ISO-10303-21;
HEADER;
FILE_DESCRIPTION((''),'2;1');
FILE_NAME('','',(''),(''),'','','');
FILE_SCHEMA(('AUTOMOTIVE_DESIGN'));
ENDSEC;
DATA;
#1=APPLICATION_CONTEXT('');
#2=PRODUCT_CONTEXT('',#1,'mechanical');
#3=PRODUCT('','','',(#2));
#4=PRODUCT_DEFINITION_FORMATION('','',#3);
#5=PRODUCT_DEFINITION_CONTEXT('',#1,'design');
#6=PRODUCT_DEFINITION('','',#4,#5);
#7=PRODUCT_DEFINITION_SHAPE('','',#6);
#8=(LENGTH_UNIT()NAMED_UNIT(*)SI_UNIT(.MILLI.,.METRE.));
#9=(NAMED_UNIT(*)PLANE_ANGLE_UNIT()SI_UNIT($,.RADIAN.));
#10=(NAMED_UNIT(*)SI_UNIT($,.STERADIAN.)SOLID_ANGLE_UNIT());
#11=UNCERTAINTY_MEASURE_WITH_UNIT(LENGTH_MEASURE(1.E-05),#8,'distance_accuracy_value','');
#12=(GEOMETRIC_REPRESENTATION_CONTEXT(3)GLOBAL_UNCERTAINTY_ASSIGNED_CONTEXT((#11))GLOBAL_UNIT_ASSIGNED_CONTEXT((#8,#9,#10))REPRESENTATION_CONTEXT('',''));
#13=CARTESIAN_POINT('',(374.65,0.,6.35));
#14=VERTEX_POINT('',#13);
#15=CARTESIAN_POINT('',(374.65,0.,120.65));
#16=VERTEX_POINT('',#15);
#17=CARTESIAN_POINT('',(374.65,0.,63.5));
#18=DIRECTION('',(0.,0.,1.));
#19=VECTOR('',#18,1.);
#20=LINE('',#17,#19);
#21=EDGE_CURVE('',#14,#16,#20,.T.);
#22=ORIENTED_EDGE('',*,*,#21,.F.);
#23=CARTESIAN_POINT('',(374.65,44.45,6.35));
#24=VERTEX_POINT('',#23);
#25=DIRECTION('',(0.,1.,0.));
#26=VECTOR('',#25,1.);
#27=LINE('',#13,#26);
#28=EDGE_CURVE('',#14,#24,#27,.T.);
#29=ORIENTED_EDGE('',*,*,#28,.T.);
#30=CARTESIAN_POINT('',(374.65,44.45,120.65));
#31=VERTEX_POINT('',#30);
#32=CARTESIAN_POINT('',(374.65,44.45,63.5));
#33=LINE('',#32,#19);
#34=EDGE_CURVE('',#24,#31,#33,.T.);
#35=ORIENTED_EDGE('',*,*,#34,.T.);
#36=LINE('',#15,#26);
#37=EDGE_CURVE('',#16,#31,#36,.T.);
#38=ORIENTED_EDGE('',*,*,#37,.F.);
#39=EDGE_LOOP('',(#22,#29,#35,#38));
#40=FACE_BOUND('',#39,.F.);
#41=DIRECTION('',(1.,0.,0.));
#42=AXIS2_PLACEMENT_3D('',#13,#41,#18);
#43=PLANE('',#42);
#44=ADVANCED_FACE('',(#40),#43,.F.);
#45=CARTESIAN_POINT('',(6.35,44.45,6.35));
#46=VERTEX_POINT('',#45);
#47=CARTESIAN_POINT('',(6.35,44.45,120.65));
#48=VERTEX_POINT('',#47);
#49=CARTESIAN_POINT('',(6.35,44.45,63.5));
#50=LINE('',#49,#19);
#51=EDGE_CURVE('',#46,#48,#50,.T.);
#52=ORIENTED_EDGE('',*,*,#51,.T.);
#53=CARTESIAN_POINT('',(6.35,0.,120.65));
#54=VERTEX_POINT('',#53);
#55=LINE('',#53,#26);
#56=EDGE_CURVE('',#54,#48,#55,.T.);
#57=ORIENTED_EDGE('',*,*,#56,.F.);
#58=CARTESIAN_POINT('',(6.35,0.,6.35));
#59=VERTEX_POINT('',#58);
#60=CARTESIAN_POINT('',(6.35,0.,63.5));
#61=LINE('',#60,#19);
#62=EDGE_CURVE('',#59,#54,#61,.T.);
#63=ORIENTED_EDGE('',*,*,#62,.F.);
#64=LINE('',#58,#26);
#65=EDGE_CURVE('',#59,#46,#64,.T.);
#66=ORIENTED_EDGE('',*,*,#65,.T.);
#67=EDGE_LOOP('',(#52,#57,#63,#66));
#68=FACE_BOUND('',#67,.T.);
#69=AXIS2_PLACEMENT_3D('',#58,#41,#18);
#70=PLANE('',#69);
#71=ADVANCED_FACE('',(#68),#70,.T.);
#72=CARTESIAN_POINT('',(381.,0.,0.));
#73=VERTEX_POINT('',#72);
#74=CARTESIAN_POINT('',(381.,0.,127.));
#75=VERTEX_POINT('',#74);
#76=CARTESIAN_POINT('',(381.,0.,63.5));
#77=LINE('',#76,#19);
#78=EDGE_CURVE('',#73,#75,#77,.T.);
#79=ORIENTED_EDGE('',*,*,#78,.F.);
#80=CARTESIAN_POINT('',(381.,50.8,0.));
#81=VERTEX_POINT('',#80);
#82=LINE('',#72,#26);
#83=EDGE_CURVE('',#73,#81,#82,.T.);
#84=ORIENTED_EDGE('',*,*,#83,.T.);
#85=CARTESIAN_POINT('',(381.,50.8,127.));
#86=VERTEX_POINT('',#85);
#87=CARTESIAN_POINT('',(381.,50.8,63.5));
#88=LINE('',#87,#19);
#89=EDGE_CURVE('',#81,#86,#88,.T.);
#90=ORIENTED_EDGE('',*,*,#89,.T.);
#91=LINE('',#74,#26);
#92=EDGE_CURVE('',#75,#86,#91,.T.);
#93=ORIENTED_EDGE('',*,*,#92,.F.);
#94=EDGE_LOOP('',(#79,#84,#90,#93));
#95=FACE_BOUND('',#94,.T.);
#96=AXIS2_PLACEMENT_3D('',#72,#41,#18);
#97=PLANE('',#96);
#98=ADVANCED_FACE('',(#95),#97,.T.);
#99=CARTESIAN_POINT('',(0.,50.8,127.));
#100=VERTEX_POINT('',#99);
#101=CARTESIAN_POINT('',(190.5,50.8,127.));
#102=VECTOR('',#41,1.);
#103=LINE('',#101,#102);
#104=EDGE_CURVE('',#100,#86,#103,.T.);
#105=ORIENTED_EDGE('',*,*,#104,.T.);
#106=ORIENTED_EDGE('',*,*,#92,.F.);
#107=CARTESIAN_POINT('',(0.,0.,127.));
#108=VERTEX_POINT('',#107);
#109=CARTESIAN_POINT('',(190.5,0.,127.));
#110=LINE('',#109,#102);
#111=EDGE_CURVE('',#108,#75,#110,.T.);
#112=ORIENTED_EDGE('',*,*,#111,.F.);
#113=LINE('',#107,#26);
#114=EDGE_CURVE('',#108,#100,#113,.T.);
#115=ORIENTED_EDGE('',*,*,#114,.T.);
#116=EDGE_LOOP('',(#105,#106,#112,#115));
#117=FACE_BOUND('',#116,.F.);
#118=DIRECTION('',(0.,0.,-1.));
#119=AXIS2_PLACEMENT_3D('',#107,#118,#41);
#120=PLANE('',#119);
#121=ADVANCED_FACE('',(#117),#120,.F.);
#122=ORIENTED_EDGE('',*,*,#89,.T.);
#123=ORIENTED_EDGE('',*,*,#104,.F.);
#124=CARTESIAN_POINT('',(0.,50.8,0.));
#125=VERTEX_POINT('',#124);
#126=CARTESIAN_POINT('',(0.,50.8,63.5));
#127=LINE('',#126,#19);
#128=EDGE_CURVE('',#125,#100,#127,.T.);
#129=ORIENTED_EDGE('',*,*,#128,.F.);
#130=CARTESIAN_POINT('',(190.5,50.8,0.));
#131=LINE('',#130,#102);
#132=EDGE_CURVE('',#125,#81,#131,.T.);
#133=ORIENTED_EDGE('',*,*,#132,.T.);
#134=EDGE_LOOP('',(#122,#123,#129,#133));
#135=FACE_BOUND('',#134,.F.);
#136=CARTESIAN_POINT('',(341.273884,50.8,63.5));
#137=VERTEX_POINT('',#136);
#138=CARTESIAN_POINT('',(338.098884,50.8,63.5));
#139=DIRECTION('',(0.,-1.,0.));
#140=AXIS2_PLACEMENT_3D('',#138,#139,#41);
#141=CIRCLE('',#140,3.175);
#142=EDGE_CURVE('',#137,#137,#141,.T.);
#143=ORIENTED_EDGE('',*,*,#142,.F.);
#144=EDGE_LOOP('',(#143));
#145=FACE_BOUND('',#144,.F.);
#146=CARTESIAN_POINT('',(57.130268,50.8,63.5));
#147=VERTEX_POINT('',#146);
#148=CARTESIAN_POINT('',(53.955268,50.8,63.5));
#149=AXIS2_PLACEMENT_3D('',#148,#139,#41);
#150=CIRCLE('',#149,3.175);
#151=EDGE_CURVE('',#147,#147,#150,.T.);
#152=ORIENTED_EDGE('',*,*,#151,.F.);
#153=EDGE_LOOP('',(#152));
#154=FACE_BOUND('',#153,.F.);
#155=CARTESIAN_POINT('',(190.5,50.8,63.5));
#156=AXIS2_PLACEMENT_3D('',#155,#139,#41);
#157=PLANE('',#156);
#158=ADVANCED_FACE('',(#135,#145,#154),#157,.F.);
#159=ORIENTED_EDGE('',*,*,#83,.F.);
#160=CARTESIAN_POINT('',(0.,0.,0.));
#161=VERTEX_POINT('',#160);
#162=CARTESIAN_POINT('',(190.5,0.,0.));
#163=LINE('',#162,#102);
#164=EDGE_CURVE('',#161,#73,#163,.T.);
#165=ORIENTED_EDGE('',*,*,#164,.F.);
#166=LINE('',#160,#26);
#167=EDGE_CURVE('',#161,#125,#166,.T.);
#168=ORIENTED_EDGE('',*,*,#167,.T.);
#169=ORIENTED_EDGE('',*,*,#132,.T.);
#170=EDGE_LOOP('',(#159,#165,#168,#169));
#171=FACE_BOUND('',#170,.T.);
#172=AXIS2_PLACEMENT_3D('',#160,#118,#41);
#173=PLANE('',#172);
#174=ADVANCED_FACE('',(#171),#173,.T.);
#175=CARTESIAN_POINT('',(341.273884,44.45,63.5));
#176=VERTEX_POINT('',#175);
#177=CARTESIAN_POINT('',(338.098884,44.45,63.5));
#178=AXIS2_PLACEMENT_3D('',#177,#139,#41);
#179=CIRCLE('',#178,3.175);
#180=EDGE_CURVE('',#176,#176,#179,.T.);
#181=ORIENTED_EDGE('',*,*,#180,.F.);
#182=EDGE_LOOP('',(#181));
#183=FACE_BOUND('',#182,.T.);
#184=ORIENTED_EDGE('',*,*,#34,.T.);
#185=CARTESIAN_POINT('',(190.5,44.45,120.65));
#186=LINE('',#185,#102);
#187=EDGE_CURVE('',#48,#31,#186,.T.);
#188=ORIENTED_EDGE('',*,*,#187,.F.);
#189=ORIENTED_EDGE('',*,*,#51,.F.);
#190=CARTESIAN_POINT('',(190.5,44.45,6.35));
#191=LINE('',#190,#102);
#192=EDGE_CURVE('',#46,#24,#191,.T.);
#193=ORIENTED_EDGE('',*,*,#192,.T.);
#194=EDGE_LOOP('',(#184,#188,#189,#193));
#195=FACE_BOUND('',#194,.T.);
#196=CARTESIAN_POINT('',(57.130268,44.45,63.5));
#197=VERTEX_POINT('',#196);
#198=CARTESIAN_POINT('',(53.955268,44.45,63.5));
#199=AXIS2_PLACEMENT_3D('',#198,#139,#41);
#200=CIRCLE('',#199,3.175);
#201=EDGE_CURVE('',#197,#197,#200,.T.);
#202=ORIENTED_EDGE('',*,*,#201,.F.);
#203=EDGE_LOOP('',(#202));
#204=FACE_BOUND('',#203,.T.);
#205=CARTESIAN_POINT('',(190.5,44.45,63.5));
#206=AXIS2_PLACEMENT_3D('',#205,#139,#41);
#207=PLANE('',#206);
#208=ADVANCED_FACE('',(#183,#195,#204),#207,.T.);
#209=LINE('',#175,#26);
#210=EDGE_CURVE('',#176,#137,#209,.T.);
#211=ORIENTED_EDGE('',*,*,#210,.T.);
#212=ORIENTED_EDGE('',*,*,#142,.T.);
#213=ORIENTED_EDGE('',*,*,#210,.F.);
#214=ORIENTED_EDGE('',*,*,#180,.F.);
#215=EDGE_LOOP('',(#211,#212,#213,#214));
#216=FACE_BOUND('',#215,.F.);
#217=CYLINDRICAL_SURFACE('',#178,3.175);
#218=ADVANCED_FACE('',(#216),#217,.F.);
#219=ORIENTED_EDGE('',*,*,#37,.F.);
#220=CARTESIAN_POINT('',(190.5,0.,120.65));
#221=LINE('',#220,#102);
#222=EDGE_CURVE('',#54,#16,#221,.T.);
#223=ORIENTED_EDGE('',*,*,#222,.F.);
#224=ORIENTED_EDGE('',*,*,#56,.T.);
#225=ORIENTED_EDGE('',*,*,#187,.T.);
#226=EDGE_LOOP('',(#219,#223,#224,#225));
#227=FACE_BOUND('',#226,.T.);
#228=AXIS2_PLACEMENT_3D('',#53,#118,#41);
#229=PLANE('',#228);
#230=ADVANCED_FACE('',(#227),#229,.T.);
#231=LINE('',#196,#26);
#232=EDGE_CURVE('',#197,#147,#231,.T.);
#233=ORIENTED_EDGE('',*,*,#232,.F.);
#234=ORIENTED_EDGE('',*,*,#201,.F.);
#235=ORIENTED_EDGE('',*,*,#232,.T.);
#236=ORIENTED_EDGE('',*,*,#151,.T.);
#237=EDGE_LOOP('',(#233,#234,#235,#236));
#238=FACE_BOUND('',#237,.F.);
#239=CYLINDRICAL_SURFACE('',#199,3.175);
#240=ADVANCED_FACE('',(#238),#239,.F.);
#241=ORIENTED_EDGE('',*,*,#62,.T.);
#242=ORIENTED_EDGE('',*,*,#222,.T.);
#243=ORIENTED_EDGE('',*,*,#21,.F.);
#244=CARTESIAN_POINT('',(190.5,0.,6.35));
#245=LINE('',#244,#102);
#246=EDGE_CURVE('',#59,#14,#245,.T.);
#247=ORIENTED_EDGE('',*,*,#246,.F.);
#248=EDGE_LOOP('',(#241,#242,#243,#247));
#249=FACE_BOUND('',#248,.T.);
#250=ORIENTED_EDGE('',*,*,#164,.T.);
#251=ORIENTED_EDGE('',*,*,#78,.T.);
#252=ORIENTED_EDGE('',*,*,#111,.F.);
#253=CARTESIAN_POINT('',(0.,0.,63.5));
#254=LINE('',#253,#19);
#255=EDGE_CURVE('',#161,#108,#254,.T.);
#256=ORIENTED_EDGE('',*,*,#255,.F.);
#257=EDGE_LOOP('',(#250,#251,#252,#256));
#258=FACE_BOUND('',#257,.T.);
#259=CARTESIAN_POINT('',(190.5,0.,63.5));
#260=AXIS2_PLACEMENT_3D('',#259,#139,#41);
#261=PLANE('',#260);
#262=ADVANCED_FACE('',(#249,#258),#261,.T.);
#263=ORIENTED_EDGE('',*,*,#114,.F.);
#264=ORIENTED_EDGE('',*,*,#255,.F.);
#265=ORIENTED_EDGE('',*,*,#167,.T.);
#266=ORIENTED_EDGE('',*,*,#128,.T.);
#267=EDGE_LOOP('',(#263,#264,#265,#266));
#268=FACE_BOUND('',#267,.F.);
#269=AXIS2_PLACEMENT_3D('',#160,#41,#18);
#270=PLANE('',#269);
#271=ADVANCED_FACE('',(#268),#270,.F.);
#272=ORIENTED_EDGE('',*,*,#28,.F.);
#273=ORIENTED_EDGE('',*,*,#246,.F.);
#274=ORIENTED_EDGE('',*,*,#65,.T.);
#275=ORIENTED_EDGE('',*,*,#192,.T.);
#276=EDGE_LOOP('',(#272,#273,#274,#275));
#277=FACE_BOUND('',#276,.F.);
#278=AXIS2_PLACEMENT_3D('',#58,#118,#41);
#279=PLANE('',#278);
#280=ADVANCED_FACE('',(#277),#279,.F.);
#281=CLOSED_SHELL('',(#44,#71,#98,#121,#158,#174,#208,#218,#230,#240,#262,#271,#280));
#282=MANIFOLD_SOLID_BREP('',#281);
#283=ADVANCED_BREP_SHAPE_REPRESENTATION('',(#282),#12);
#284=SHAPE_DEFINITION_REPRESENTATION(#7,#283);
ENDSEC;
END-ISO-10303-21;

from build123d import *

# Parameters (mm, degrees)
F0_W     = 381
F0_H     = 127
F1_DEPTH = 50.8
F2_W     = 368.3
F2_H     = 114.3
F3_DEPTH = 44.45
F4_R     = 3.175
F5_DEPTH = 6.351


with BuildPart() as f1:
    # F0 (on Front) → F1 (new body)
    with BuildSketch(Plane.XZ):
        with Locations((190.5, 63.5)):
            Rectangle(F0_W, F0_H)
    extrude(amount=-F1_DEPTH)

    # F2 (on face) → F3 (cut)
    with BuildSketch(Plane.XZ):
        with Locations((190.5, 63.5)):
            Rectangle(F2_W, F2_H)
    extrude(amount=-F3_DEPTH, mode=Mode.SUBTRACT)

    # F4 (on face) → F5 (cut, through all)
    with BuildSketch(Plane.XZ.offset(-44.45)):
        with Locations((53.955268, 63.5)):
            Circle(F4_R)
        with Locations((338.098884, 63.5)):
            Circle(F4_R)
    extrude(amount=-F5_DEPTH, mode=Mode.SUBTRACT)


solid = f1.part
